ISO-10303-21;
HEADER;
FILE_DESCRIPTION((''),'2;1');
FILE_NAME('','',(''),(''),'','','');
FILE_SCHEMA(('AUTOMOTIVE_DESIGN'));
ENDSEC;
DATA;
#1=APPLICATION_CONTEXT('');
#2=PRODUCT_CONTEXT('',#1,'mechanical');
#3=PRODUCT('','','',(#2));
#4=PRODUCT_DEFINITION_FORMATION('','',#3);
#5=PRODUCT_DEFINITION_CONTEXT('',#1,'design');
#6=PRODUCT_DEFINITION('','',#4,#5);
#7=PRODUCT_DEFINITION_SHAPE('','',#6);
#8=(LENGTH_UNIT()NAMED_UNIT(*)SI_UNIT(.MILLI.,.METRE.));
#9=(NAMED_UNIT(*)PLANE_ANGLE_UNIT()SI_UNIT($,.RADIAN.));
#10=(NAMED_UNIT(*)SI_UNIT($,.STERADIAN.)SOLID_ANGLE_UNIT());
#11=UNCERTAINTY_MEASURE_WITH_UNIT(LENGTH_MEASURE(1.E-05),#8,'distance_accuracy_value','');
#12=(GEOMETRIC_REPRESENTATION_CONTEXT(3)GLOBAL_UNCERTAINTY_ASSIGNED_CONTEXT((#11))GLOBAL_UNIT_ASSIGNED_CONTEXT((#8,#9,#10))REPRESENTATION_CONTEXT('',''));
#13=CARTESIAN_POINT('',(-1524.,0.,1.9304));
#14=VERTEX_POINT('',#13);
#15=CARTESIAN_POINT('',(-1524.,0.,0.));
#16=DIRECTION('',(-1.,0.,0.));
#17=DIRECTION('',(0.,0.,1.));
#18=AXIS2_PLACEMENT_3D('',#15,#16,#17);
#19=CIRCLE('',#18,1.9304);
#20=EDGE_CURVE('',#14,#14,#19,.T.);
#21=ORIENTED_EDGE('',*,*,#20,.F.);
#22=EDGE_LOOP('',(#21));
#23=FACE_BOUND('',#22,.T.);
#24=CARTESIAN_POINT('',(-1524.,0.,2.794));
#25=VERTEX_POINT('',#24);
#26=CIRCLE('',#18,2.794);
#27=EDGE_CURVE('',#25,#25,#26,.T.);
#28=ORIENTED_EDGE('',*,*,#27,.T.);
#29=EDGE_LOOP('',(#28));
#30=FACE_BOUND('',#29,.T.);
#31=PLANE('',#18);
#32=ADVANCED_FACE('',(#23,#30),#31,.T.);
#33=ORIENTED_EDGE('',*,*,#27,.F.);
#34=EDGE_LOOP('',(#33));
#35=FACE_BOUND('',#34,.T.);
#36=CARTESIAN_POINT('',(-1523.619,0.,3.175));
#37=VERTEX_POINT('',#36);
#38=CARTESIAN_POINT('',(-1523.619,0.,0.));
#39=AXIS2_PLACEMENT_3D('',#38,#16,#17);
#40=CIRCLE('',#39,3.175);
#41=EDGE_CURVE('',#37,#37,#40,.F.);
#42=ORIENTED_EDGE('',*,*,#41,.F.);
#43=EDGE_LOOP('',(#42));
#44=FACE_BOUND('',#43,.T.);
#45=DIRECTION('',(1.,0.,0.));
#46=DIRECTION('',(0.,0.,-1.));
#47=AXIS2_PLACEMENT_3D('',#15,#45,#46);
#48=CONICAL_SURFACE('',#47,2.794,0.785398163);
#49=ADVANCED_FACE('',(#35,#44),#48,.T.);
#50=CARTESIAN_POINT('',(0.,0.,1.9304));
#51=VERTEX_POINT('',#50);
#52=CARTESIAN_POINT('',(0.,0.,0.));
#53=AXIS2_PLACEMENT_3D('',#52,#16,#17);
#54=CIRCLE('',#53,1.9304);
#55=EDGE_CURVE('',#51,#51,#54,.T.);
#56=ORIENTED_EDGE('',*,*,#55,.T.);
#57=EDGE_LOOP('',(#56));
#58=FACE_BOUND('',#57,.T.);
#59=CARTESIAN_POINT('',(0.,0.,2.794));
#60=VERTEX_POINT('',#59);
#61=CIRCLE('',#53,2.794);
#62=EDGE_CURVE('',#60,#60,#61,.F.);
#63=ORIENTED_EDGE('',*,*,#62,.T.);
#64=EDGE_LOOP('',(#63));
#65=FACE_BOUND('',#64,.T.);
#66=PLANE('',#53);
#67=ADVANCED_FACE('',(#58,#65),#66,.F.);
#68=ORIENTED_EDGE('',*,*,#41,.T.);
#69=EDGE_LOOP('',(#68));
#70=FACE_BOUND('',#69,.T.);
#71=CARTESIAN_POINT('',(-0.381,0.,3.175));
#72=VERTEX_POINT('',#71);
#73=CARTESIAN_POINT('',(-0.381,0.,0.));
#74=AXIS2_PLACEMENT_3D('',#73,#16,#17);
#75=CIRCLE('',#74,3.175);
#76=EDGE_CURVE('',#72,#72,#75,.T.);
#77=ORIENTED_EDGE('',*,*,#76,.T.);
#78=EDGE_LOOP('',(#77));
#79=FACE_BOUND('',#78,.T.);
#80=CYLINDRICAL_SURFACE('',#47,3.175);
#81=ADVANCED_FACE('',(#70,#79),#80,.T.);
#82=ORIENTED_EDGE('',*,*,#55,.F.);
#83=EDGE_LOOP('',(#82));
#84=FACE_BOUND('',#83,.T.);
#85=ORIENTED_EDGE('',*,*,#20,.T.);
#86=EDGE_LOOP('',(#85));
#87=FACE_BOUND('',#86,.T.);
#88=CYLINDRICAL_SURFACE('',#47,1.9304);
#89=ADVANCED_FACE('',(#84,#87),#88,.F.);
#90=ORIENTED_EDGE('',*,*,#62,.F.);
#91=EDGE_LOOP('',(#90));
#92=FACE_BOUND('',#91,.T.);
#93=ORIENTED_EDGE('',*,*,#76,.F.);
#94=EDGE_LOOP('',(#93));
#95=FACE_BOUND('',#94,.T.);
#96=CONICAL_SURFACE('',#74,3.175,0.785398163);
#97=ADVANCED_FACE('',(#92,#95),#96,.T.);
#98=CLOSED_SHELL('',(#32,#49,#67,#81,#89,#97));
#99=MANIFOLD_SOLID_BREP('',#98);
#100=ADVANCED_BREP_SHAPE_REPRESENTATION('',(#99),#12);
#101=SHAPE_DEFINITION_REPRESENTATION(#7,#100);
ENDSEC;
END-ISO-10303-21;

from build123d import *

# Parameters (mm, degrees)
SKETCH1_R      = 3.175
SKETCH1_R_2    = 1.9304
EXTRUDE1_DEPTH = 1524
CHAMFER1_SIZE  = 0.381


with BuildPart() as part:
    # Sketch1 → Extrude1 (new body)
    with BuildSketch(Plane.ZY):
        Circle(SKETCH1_R)
        Circle(SKETCH1_R_2, mode=Mode.SUBTRACT)
    extrude(amount=EXTRUDE1_DEPTH)

    # Chamfer1
    chamfer1_edges = [part.edges().sort_by_distance(p)[0] for p in [
        (0, 0, -3.175),
        (-1524, 0, -3.175),
    ]]
    chamfer(chamfer1_edges, length=CHAMFER1_SIZE)


solid = part.part
